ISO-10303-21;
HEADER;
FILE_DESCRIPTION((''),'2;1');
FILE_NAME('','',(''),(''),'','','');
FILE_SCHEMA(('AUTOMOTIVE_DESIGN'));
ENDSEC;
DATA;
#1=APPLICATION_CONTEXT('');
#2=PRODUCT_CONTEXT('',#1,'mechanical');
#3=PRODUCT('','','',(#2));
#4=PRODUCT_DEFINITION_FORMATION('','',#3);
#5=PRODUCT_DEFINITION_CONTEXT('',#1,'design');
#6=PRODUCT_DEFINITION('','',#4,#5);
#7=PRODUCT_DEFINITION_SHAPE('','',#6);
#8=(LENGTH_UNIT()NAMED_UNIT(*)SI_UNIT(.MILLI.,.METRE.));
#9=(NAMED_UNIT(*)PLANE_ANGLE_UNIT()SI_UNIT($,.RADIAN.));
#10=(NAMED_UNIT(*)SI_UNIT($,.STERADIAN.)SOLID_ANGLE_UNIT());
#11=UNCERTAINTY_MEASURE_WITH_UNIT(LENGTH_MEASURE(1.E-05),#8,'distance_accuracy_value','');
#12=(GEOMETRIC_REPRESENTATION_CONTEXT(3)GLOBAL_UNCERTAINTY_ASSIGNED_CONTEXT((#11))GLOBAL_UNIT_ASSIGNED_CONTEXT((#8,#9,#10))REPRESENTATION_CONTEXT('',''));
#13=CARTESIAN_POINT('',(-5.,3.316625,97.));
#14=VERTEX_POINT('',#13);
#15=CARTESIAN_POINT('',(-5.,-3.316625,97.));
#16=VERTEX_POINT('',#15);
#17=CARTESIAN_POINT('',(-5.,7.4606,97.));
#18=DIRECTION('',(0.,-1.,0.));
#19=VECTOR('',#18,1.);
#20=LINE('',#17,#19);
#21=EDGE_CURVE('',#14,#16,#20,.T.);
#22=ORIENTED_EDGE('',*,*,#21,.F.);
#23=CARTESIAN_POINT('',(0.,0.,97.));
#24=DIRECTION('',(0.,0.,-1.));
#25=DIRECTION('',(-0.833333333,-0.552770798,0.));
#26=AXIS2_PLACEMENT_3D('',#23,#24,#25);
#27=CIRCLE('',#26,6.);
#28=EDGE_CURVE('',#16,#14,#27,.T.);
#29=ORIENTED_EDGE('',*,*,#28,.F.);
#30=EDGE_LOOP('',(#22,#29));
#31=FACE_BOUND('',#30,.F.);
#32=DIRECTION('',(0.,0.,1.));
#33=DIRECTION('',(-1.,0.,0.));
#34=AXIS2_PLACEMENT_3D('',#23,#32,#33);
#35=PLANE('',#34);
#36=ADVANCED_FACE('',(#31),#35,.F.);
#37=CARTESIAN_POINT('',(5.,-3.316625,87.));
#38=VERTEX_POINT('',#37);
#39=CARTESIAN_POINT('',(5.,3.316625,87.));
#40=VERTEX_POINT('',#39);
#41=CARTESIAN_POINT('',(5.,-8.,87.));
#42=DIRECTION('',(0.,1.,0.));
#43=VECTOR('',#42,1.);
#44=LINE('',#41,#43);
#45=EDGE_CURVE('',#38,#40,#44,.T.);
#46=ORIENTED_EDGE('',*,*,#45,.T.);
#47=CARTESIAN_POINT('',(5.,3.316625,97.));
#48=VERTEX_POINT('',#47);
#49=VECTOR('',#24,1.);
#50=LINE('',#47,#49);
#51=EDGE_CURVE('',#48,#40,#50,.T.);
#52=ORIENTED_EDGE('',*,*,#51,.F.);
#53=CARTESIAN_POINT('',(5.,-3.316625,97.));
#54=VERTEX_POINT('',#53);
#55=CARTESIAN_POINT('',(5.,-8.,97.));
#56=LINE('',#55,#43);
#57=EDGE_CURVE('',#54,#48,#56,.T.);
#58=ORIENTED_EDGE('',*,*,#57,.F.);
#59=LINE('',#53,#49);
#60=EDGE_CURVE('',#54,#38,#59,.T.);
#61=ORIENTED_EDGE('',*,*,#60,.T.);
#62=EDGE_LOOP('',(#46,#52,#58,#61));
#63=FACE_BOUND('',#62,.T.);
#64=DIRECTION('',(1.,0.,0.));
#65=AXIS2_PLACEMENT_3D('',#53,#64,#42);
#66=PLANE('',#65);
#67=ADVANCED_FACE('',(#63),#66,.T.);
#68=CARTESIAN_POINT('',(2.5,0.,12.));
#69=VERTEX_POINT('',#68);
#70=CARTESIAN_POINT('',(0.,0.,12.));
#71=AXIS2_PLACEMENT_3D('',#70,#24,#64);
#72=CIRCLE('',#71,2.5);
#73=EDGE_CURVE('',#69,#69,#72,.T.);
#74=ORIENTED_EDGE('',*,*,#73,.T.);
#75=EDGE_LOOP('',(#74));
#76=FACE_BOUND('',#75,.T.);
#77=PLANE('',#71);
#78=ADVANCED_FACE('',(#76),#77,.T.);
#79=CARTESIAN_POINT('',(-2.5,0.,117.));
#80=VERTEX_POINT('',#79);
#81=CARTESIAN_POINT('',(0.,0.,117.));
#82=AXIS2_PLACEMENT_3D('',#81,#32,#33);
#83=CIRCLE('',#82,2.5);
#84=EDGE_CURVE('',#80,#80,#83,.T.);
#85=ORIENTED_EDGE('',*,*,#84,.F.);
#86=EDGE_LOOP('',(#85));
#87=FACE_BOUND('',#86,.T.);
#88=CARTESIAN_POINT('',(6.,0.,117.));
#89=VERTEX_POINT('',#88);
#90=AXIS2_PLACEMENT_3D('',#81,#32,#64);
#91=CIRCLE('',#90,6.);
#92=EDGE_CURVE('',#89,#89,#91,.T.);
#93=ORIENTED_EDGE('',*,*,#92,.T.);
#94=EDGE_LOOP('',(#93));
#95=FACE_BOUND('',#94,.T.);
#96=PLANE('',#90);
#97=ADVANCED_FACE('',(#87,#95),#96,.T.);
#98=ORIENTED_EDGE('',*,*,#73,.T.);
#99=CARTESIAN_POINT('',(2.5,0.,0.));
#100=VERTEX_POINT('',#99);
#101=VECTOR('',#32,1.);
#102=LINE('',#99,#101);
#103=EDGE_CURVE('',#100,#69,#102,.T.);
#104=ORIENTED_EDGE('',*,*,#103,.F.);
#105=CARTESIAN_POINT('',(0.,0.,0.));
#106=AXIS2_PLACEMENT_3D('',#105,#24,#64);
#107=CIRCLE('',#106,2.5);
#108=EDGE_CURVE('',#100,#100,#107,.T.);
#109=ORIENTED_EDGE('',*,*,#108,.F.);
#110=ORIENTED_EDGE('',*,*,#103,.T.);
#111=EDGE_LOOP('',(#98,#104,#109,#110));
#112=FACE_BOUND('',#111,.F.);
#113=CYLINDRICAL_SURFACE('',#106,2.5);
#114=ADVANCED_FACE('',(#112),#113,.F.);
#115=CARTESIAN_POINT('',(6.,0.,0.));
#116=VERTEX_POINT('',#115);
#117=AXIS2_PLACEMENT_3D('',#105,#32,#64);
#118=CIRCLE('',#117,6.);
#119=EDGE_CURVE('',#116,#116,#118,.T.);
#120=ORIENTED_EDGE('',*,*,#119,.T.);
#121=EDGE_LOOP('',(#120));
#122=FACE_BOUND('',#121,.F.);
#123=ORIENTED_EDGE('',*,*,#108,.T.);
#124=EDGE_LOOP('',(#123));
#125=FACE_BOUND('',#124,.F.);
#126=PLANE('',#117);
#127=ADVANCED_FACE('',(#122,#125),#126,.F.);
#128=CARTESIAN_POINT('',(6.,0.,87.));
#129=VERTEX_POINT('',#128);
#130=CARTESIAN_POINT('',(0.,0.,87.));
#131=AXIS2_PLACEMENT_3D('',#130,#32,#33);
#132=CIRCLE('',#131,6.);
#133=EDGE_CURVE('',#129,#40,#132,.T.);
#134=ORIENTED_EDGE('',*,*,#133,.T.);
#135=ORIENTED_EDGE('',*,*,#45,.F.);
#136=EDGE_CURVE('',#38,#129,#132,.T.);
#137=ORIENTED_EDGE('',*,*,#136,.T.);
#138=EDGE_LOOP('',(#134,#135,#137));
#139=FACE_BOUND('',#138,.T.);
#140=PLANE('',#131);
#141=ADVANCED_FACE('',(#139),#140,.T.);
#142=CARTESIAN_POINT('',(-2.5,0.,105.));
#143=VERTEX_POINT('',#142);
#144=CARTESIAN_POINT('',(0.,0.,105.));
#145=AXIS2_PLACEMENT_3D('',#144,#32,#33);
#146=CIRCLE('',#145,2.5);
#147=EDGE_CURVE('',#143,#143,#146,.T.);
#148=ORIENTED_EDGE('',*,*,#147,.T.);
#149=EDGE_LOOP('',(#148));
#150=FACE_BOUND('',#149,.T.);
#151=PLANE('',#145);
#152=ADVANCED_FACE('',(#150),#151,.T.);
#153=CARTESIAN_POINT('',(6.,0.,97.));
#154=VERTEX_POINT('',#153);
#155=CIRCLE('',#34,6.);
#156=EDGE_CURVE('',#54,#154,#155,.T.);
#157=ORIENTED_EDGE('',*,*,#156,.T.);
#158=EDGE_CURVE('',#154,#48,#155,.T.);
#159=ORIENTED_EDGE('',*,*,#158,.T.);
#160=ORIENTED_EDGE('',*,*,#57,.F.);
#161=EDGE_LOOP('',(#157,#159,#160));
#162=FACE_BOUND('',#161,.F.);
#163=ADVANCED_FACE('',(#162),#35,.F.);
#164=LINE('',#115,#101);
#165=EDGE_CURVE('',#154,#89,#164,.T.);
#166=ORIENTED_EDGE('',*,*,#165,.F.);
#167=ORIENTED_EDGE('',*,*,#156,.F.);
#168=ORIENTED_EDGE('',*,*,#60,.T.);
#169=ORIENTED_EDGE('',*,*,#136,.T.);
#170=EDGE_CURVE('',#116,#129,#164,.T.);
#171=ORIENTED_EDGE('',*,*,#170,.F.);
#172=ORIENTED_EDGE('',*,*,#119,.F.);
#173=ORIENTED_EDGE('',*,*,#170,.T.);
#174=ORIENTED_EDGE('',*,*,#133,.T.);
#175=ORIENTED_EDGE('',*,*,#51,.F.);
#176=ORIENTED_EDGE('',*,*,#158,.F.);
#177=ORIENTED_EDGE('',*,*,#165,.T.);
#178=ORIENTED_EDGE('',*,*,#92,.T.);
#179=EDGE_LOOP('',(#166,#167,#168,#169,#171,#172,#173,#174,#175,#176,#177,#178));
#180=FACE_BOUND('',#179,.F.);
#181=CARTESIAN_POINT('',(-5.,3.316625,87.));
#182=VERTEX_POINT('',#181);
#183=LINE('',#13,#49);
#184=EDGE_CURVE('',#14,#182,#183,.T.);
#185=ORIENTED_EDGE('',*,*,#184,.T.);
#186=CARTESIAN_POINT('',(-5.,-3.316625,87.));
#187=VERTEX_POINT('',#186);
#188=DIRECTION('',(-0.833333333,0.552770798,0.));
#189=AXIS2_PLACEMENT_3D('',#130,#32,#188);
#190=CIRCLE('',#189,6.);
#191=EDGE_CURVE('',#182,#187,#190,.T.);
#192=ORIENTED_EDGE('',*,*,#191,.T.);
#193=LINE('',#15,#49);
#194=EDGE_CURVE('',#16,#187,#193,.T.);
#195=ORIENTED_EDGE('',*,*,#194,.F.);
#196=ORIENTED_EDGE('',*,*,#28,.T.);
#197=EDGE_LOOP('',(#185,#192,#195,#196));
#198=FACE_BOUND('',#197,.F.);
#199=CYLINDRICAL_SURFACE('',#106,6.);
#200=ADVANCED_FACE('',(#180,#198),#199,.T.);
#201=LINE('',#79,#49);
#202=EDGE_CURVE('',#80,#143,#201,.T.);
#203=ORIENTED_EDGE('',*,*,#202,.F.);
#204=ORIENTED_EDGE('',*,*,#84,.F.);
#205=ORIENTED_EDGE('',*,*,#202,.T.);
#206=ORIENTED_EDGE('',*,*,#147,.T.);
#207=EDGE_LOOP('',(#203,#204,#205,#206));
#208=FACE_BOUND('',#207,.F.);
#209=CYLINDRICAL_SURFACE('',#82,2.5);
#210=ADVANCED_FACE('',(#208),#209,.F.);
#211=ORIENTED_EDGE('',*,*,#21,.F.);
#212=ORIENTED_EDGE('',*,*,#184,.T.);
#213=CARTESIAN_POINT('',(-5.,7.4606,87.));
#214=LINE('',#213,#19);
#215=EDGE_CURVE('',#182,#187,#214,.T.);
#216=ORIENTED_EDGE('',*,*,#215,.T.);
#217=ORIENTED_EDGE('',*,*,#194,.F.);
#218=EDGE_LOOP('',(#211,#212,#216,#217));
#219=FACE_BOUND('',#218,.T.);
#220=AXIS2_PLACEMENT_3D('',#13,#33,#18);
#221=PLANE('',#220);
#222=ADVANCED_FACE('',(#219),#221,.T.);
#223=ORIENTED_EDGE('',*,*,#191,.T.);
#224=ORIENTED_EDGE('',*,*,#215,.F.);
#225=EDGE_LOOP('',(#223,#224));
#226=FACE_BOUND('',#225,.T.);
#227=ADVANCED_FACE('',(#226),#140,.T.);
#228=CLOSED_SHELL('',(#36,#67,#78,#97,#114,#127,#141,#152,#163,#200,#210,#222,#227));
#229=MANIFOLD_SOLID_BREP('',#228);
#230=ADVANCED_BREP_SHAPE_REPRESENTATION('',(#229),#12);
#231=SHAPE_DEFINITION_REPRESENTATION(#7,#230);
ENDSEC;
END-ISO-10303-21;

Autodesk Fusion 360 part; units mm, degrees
sketch "Esquisse1" plane through (0, 0, 0) normal (0, 0, 1) x (1, 0, 0)
  circle A0 centre (0, 0) radius 6
  dimension "d1" = 12
extrude "Extrusion1" add sketch "Esquisse1" along normal blind 117
sketch "Esquisse2" plane through (0, 0, 117) normal (0, 0, 1) x (-1, 0, 0)
  circle A0 centre (0, 0) radius 6
  circle A1 centre (0, 0) radius 2.5
  dimension "d5" = 5
extrude "Extrusion2" cut sketch "Esquisse2" against normal blind 12 contours A1
sketch "Esquisse3" plane through (0, 0, 0) normal (0, 0, -1) x (1, 0, 0)
  circle A0 centre (0, 0) radius 6
  circle A1 centre (0, 0) radius 2.5
  dimension "d8" = 5
extrude "Extrusion3" cut sketch "Esquisse3" against normal blind 12 contours A1
sketch "Esquisse4" plane through (0, 0, 117) normal (0, 0, 1) x (-1, 0, 0)
  circle A0 centre (0, 0) radius 2.5
  circle A1 centre (0, 0) radius 6
  line L0 (5, 8) -> (-5, 8)
  line L1 (-5, 8) -> (-5, -7.4606)
  line L2 (-5, -7.4606) -> (5, -7.4606)
  line L3 (5, -7.4606) -> (5, 8)
  dimension "d11" = 5
  dimension "d12" = 10
extrude "Extrusion4" cut sketch "Esquisse4" against normal blind 10 from surface at -20 contours A1 L3 | A1 L1
